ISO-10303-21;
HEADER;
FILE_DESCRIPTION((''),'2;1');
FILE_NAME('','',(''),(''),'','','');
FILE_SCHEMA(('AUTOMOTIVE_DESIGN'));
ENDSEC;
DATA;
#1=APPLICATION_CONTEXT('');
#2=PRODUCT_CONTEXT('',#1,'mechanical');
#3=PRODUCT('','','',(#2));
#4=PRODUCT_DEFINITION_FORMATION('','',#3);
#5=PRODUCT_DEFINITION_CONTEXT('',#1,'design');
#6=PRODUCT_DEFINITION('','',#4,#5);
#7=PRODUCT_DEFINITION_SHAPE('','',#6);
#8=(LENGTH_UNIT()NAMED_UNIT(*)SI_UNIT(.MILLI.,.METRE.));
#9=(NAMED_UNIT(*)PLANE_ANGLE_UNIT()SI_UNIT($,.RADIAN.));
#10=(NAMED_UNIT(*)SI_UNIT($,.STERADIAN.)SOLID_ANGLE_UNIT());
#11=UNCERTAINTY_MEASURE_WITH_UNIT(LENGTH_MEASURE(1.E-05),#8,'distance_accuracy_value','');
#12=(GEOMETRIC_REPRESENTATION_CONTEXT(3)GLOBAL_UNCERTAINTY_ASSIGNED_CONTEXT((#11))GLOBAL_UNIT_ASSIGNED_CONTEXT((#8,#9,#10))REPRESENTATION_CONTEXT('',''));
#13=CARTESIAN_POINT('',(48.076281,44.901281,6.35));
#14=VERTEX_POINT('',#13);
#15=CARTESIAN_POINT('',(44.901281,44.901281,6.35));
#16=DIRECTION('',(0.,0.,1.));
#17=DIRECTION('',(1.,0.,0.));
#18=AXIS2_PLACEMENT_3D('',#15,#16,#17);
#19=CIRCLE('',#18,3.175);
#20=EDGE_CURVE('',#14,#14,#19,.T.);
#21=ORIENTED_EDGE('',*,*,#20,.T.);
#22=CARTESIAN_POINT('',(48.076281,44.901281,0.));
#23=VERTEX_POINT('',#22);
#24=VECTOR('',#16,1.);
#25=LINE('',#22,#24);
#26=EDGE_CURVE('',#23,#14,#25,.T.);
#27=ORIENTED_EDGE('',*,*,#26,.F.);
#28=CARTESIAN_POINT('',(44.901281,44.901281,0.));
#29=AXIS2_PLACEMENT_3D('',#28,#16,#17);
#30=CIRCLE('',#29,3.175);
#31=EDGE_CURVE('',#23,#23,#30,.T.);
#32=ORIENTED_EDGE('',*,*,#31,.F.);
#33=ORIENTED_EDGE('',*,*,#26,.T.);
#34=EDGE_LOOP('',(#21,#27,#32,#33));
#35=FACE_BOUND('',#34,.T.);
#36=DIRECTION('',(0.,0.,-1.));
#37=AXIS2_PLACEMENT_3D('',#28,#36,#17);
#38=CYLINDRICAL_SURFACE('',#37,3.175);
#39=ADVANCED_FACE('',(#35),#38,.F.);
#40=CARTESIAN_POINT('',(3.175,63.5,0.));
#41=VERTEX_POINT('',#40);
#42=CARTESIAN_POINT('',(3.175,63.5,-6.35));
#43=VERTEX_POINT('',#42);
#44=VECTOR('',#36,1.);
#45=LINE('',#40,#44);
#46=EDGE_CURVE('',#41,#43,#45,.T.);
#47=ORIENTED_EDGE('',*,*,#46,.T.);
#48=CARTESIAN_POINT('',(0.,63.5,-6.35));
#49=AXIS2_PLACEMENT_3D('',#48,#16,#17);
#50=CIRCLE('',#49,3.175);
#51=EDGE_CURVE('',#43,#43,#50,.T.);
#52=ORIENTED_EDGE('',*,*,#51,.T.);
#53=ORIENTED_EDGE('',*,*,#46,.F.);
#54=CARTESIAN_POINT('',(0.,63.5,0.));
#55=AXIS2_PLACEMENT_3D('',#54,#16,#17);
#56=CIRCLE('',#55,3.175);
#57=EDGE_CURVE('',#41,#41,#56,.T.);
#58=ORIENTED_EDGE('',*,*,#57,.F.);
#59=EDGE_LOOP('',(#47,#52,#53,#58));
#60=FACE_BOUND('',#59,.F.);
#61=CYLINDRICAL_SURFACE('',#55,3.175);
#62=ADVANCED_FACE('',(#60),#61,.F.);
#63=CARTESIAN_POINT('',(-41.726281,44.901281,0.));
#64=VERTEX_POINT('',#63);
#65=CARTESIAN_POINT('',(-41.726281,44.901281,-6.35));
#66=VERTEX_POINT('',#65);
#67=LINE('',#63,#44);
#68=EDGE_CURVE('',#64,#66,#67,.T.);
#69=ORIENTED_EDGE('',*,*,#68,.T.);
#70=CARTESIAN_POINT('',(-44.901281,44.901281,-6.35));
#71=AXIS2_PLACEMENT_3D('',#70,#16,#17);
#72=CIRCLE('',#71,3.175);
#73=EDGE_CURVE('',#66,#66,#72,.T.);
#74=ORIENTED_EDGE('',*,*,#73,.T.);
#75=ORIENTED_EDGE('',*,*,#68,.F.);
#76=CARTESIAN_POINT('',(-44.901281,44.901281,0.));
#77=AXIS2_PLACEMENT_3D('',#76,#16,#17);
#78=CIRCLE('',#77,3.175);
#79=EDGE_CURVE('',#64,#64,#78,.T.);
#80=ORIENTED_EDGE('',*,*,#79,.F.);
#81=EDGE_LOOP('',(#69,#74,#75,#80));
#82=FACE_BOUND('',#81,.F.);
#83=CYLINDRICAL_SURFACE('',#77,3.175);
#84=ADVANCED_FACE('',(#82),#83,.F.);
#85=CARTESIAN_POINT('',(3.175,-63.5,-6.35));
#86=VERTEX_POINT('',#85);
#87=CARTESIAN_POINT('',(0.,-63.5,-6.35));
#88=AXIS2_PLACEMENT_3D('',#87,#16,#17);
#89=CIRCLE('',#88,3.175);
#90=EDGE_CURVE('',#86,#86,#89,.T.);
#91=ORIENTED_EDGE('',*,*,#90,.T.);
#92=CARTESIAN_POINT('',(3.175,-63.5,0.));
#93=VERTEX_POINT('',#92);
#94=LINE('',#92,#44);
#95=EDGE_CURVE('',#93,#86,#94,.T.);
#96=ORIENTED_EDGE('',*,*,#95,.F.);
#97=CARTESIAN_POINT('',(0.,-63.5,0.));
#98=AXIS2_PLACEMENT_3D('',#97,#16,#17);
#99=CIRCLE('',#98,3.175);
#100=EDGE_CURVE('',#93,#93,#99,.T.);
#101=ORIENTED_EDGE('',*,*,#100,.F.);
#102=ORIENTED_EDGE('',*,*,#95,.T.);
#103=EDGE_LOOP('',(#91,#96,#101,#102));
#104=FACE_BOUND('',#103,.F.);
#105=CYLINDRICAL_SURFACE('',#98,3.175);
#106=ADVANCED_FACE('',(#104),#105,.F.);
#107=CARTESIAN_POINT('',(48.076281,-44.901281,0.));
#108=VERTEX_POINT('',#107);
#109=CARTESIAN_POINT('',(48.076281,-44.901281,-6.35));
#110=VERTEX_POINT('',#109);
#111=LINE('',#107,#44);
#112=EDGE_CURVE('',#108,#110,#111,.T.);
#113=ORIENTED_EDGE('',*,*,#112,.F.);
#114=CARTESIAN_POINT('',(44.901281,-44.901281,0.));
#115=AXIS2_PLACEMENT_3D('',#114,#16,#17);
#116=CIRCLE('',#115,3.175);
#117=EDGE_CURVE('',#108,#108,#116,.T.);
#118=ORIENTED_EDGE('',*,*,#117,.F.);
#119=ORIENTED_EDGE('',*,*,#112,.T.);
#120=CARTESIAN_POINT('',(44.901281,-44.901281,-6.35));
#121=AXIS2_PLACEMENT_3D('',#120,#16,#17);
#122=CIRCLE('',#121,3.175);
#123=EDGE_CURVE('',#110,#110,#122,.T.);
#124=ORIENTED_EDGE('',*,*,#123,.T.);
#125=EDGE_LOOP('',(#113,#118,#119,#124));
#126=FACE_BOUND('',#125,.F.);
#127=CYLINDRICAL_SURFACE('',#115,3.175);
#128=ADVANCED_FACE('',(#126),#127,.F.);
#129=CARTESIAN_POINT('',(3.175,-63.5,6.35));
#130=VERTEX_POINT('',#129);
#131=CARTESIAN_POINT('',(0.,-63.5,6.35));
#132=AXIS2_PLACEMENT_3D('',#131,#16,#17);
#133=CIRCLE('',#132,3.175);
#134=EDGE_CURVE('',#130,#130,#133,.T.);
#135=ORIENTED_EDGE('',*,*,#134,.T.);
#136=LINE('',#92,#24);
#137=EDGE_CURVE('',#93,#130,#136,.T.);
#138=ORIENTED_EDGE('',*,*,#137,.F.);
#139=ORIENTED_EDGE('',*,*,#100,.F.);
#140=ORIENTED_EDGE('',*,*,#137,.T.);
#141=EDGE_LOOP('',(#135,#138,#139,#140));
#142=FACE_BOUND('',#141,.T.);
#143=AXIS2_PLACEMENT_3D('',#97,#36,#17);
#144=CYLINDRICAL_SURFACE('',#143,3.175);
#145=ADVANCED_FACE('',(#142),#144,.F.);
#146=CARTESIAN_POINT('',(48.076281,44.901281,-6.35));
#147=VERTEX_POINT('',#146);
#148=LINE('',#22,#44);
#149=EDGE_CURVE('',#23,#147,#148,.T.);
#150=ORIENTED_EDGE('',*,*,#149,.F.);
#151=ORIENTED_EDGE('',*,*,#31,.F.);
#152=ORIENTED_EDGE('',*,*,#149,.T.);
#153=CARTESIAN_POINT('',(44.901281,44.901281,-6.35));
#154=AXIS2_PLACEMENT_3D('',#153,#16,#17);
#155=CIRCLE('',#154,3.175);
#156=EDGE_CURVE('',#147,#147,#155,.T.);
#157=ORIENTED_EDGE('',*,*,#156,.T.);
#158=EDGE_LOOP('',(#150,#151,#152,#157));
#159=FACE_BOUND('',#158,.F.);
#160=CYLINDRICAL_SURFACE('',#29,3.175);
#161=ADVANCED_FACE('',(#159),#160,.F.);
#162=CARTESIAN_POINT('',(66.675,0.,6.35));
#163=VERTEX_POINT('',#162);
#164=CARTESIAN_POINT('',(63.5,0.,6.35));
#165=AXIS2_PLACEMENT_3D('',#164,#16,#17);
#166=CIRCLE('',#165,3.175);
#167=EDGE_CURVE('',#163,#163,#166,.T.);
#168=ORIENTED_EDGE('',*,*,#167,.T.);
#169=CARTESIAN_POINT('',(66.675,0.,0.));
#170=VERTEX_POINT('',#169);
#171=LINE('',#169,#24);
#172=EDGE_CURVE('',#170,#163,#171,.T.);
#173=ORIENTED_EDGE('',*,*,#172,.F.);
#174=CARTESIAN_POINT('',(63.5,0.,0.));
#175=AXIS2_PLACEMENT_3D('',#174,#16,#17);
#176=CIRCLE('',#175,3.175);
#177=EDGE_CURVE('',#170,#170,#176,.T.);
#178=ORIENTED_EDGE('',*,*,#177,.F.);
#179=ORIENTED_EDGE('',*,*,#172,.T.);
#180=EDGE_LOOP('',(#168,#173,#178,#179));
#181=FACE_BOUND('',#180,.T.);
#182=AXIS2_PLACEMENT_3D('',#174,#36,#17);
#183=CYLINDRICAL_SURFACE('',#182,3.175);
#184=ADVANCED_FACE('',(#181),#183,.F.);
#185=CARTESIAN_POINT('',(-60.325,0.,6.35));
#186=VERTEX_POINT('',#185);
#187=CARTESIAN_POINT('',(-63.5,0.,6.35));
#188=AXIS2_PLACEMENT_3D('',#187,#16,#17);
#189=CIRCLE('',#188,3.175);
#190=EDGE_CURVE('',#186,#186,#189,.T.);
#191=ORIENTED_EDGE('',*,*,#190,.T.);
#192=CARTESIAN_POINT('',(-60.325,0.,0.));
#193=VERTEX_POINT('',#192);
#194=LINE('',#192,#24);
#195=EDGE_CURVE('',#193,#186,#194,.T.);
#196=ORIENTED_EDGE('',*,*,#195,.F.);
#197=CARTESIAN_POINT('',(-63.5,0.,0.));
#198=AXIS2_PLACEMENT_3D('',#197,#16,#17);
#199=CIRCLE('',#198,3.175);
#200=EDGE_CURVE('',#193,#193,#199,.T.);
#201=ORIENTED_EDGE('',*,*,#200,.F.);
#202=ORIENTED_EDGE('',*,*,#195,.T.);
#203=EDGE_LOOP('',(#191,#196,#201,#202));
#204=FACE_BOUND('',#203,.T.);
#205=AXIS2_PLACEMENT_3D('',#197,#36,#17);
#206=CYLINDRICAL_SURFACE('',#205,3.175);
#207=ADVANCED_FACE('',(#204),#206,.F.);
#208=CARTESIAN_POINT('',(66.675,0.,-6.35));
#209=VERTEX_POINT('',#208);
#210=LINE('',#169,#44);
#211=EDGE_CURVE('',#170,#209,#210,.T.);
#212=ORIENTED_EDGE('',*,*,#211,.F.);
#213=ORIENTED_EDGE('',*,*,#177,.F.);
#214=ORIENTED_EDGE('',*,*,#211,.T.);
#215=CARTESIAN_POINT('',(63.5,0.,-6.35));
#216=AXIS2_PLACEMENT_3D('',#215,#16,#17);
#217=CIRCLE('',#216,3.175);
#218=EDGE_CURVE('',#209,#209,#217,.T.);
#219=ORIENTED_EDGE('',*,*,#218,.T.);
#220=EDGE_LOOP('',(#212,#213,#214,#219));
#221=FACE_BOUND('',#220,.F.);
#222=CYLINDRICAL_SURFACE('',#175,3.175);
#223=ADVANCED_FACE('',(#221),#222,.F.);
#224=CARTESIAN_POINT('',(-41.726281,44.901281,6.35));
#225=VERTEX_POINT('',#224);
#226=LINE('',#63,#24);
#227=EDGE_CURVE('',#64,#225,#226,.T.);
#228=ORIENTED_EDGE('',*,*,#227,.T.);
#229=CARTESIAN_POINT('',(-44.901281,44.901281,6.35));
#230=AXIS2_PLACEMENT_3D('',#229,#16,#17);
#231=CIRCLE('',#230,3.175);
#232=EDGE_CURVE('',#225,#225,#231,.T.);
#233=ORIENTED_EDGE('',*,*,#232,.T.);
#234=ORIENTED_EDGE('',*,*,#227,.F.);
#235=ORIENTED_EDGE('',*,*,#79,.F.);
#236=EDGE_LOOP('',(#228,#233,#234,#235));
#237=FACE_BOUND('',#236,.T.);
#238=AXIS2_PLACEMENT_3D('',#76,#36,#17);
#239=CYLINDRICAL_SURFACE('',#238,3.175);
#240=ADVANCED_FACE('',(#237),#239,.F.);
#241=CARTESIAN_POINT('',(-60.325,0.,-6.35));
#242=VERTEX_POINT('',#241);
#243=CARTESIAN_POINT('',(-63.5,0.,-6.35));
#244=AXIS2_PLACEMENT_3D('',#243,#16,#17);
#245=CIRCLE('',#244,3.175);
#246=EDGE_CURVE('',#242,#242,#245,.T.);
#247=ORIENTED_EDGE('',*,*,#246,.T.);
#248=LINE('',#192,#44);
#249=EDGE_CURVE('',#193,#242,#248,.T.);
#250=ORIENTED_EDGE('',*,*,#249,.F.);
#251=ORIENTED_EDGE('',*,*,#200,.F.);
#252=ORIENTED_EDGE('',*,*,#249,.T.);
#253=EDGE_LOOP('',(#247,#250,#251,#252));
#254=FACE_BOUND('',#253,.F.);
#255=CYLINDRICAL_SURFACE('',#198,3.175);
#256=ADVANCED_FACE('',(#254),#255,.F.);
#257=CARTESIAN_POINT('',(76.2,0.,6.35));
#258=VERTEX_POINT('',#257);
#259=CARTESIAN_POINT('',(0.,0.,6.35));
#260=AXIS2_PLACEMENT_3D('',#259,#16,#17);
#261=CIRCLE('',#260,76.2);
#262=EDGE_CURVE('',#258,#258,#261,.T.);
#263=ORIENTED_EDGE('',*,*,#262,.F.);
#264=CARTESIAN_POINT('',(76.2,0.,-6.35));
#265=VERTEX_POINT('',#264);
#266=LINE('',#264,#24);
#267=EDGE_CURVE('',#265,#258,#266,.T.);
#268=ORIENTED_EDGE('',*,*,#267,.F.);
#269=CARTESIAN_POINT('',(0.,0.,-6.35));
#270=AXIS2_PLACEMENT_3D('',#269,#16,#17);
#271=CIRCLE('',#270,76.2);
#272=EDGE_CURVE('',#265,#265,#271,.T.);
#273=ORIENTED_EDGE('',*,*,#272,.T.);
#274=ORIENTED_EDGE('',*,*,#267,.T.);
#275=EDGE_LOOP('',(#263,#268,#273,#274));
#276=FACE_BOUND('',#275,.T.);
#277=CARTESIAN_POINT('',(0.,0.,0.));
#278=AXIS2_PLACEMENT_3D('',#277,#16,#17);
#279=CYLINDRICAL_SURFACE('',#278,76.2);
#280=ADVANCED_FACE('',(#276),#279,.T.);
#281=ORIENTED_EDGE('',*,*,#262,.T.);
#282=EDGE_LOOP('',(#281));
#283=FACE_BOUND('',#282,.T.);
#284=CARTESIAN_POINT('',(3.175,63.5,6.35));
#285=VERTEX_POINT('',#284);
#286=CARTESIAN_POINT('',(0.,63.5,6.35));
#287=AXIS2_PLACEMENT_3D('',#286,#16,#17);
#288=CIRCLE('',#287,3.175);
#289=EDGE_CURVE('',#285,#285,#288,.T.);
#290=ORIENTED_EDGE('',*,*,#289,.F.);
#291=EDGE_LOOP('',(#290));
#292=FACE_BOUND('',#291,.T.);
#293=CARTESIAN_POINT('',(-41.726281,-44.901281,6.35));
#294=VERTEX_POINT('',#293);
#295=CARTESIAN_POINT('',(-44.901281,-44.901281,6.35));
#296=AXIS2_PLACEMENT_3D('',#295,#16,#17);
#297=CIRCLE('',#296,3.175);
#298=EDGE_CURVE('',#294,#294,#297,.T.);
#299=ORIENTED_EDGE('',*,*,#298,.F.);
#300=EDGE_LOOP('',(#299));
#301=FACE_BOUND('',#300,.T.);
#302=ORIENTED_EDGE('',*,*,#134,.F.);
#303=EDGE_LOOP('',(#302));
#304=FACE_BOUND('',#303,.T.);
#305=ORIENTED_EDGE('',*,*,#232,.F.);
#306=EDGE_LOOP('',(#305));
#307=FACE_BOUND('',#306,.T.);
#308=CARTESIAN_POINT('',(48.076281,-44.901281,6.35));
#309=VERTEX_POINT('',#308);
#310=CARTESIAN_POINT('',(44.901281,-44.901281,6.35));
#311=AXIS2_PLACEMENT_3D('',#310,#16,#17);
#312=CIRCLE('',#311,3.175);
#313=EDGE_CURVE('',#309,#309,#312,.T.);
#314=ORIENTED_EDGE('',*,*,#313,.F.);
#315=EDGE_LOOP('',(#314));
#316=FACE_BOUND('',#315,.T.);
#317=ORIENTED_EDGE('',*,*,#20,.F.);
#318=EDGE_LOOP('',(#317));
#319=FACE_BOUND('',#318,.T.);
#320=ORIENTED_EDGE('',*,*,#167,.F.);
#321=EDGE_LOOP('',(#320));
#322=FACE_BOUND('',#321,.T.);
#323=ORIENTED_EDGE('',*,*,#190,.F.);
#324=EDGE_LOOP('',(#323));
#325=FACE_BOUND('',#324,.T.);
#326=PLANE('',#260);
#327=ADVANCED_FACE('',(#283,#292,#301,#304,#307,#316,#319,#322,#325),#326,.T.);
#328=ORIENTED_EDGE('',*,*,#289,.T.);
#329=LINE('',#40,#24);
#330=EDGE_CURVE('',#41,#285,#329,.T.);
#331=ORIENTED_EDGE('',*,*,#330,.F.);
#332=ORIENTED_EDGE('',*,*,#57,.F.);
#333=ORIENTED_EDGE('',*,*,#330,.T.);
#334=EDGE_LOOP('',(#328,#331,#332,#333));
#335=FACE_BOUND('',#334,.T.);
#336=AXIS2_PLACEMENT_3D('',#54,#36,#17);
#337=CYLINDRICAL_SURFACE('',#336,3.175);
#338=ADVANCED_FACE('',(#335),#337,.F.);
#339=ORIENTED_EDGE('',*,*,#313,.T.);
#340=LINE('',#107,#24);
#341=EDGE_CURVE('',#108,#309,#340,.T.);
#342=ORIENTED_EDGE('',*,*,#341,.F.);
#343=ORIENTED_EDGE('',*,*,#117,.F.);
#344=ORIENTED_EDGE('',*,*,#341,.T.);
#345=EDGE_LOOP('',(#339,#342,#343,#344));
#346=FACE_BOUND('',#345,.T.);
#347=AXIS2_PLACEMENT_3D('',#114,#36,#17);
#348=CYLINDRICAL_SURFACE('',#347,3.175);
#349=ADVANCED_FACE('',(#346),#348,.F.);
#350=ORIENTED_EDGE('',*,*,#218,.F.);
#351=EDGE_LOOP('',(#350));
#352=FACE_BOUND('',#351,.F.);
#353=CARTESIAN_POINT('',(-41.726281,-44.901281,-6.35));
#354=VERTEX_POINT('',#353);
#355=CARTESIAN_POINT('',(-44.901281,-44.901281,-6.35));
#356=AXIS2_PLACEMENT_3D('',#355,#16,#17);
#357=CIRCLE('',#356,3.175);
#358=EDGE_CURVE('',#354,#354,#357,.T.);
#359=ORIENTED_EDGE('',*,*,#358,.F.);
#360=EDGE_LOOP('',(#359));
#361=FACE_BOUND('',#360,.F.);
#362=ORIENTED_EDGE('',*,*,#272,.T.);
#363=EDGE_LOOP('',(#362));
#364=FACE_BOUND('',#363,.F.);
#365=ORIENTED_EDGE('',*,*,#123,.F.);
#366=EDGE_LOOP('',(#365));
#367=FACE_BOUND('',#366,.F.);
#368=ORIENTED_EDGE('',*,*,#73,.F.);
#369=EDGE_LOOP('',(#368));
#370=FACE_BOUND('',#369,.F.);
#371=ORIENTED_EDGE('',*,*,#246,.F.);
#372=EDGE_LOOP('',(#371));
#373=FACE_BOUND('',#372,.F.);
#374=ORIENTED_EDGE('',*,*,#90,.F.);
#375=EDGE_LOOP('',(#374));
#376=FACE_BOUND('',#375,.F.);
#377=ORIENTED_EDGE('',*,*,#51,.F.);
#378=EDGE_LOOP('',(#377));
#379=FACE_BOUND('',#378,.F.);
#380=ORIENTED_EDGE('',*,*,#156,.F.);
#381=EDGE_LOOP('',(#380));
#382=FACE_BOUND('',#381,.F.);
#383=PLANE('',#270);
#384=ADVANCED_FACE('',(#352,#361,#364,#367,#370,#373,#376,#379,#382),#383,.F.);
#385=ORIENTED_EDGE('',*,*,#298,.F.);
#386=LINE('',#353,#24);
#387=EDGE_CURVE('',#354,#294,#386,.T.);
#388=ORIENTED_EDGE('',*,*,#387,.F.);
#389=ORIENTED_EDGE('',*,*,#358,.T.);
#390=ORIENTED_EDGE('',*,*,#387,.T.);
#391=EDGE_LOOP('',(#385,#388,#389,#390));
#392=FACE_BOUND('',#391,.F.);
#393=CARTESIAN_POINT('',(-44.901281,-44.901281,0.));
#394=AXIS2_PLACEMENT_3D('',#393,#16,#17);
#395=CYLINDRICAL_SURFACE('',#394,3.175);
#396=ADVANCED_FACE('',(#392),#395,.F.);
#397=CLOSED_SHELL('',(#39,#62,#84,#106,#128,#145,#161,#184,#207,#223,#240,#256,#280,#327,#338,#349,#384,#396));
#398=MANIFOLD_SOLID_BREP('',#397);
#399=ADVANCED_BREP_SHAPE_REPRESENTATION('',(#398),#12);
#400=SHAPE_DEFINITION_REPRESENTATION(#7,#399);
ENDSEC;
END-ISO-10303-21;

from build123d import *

# Parameters (mm, degrees)
F0_R     = 76.2
F2_DEPTH = 6.35
F1_R     = 3.175
F3_DEPTH = 6.35


with BuildPart() as f2:
    # F0 (on Top) → F2 (new body, symmetric)
    with BuildSketch(Plane.XY):
        Circle(F0_R)
    extrude(amount=F2_DEPTH, both=True)

    # F1 (on Top) → F3 (cut, symmetric)
    with BuildSketch(Plane.XY):
        with Locations((0, 63.5)):
            Circle(F1_R)
        with Locations((63.5, 0)):
            Circle(F1_R)
        with Locations((-63.5, 0)):
            Circle(F1_R)
        with Locations((0, -63.5)):
            Circle(F1_R)
        with Locations((-44.901281, 44.901281)):
            Circle(F1_R)
        with Locations((44.901281, 44.901281)):
            Circle(F1_R)
        with Locations((44.901281, -44.901281)):
            Circle(F1_R)
        with Locations((-44.901281, -44.901281)):
            Circle(F1_R)
    extrude(amount=F3_DEPTH, both=True, mode=Mode.SUBTRACT)


solid = f2.part
